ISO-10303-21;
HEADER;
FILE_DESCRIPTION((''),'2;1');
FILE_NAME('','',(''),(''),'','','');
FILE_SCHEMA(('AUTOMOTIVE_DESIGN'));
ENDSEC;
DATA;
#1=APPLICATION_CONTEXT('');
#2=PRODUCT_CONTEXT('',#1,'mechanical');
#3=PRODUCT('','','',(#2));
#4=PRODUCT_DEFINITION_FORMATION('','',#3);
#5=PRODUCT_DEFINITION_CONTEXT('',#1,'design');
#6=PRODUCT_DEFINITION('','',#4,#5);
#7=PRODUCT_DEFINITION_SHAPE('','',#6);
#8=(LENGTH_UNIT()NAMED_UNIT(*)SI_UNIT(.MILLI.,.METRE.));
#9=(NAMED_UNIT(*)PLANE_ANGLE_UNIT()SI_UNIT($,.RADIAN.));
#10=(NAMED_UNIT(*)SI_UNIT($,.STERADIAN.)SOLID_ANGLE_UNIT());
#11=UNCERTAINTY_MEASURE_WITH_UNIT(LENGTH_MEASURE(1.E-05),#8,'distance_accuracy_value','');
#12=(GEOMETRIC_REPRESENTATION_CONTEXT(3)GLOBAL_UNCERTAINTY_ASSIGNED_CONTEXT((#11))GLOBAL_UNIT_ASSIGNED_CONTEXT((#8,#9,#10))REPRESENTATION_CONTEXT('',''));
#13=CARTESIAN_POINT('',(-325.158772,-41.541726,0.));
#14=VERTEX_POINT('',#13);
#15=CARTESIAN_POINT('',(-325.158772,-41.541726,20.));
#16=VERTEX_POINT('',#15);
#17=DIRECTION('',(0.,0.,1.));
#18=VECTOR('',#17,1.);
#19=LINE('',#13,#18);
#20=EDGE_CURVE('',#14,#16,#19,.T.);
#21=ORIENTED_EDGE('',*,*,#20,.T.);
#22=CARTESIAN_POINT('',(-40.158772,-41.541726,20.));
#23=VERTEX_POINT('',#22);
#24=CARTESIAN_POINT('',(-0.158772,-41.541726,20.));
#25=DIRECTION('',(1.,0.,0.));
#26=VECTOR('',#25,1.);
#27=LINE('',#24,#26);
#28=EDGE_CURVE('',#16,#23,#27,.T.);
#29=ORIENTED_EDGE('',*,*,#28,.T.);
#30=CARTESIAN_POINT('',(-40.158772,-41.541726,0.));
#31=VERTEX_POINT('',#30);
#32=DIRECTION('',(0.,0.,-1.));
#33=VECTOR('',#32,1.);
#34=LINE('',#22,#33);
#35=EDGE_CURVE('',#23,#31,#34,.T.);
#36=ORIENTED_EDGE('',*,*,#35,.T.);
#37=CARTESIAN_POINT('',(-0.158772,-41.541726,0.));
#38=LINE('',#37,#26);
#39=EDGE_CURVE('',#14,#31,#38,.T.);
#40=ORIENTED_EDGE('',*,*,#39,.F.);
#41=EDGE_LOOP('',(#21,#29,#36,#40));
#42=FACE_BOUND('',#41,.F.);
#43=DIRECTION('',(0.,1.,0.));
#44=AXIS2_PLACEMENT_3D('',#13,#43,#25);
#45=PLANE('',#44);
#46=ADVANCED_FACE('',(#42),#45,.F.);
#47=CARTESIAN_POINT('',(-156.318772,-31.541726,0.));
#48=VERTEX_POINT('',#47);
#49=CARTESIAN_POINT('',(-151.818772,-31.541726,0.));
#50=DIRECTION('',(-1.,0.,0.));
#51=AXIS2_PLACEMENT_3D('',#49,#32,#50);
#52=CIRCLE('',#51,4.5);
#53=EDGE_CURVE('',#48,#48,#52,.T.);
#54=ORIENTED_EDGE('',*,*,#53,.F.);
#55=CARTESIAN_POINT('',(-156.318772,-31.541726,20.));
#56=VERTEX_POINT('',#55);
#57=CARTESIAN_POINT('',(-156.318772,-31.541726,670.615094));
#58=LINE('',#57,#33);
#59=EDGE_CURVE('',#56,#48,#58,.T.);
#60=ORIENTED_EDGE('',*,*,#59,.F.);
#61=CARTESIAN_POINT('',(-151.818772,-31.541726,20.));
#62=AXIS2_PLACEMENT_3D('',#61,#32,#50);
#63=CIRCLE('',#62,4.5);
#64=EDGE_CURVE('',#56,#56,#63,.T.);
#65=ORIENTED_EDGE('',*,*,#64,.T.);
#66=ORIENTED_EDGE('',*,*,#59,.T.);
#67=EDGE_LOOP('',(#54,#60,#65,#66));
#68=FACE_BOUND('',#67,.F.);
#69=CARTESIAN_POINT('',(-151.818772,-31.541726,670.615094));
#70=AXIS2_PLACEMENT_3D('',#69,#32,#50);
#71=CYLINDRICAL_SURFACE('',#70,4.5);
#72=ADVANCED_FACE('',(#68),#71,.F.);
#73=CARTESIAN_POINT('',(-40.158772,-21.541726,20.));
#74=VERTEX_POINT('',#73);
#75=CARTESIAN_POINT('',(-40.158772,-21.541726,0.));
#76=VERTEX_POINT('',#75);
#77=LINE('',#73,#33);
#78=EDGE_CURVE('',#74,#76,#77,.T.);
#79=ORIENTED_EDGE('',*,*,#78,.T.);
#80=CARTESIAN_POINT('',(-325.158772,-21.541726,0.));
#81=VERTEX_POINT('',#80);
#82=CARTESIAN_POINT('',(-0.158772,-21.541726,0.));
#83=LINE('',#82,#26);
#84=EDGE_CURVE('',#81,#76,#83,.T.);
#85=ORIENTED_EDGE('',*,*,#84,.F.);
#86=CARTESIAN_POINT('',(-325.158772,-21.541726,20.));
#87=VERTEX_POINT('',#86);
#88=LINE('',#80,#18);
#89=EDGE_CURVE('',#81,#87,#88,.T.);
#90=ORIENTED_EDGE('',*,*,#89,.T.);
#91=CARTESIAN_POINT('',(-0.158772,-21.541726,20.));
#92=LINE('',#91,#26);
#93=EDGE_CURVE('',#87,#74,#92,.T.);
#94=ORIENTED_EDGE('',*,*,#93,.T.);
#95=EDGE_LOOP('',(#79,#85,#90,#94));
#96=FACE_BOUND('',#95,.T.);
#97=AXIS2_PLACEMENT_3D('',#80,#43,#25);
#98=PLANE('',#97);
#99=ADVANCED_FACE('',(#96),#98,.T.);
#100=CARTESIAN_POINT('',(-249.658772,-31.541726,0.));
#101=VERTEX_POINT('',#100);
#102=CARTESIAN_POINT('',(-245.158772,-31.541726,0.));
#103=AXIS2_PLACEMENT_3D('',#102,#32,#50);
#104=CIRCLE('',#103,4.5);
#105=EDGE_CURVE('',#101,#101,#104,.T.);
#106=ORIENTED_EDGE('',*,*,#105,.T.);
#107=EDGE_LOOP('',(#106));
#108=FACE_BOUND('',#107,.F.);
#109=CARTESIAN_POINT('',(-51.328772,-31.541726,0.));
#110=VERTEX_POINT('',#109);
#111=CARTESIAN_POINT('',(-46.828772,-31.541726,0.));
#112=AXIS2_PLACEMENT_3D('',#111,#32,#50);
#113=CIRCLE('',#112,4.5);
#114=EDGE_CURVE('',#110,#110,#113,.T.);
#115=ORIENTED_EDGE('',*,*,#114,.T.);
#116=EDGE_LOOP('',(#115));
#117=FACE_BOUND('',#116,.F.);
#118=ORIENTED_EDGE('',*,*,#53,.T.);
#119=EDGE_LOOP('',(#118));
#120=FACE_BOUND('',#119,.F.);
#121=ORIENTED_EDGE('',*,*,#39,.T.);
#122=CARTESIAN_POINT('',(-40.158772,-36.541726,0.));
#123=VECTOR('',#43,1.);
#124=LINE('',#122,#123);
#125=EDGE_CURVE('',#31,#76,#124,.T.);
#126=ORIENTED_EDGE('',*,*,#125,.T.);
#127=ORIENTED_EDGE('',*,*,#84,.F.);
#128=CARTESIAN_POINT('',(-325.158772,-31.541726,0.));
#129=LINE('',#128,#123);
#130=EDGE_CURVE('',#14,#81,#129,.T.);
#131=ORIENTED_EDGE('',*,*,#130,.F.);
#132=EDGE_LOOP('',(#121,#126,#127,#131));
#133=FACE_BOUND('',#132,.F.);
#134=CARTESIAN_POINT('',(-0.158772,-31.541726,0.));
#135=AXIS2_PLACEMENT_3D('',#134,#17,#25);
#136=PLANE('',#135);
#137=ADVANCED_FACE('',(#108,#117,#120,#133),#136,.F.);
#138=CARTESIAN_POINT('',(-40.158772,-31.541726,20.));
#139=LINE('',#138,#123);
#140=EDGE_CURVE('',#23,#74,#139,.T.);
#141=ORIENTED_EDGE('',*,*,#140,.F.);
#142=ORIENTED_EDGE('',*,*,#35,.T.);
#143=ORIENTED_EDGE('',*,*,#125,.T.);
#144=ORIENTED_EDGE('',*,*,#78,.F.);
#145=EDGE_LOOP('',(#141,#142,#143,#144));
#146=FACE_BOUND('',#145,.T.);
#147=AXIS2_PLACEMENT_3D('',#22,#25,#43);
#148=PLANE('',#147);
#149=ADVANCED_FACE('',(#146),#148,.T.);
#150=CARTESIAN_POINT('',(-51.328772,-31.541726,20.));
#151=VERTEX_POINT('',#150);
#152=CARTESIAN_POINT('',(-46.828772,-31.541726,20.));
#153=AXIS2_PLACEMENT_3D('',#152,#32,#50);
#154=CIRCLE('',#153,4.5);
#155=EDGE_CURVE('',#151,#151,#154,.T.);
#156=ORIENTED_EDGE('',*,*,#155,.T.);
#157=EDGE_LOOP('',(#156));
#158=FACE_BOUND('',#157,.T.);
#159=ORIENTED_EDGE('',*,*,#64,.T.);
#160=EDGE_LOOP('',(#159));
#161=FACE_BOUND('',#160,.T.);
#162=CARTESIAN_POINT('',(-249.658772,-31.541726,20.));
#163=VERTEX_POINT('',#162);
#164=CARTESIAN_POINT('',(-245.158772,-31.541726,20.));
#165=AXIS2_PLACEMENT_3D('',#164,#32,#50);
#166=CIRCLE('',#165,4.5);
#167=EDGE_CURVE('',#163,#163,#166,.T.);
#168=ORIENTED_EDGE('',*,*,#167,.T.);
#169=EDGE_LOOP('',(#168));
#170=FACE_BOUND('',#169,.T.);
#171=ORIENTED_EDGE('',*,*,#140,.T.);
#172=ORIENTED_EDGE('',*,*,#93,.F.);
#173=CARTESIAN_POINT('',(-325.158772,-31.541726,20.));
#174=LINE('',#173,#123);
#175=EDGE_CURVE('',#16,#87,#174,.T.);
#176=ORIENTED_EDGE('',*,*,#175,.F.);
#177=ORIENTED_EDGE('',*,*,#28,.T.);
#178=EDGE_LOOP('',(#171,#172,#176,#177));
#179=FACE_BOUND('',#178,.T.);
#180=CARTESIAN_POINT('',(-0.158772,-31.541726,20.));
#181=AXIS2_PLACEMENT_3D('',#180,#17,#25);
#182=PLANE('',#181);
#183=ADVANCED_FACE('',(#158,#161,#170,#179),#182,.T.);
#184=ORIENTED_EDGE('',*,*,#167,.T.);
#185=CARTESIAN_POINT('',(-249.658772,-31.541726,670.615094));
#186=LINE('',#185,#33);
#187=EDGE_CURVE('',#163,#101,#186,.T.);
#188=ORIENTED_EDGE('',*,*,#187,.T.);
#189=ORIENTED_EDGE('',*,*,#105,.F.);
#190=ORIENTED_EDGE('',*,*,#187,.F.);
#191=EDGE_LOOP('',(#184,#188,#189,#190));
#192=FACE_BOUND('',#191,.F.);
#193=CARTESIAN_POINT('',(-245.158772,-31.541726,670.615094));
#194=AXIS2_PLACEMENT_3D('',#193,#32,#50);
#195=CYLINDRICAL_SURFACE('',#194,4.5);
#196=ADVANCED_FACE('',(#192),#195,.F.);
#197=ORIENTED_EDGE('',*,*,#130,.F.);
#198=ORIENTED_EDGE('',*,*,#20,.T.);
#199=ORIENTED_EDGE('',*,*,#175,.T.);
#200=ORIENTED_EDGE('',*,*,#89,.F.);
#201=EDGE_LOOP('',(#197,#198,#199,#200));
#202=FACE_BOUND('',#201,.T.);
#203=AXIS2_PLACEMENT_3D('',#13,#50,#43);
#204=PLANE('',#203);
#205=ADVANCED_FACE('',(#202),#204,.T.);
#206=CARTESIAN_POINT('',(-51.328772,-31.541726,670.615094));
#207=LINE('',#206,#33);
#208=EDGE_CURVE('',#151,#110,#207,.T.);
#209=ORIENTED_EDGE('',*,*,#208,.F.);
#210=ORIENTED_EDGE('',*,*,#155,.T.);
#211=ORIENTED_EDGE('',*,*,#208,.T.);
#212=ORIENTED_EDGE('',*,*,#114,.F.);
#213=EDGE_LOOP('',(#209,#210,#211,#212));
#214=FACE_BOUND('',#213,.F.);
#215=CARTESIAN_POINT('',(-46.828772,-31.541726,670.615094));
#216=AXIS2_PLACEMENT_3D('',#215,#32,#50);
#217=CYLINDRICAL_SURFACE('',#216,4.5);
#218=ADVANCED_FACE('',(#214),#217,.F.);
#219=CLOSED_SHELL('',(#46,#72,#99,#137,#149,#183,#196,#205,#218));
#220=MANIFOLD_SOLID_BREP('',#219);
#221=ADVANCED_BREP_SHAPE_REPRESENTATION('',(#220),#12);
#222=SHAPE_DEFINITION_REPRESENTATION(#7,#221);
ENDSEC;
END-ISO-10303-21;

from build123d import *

# Parameters (mm, degrees)
F0_W     = 650
F0_H     = 20
F1_DEPTH = 20
F3_D     = 9
F4_W     = 365
F4_H     = 20
F4_R     = 4.5
F5_DEPTH = 25


with BuildPart() as f1:
    # F0 (on Top) → F1 (new body)
    with BuildSketch(Plane.XY):
        with Locations((-0.1587718725, -31.5417255368)):
            Rectangle(F0_W, F0_H)
    extrude(amount=F1_DEPTH)

    # F3 (through all)
    with Locations(Plane.XY.offset(20)):
        with Locations((-245.1587718725, -31.5417255368), (-151.8187718725, -31.5417255368), (-46.8287718725, -31.5417255368), (46.5112281275, -31.5417255368)):
            Hole(F3_D / 2)

    # F4 (on face) → F5 (cut)
    with BuildSketch(Plane.XY.offset(20)):
        with Locations((142.3412281275, -31.5417255368)):
            Rectangle(F4_W, F4_H)
        with Locations((46.5112281275, -31.5417255368)):
            Circle(F4_R, mode=Mode.SUBTRACT)
    extrude(amount=-F5_DEPTH, mode=Mode.SUBTRACT)


solid = f1.part
